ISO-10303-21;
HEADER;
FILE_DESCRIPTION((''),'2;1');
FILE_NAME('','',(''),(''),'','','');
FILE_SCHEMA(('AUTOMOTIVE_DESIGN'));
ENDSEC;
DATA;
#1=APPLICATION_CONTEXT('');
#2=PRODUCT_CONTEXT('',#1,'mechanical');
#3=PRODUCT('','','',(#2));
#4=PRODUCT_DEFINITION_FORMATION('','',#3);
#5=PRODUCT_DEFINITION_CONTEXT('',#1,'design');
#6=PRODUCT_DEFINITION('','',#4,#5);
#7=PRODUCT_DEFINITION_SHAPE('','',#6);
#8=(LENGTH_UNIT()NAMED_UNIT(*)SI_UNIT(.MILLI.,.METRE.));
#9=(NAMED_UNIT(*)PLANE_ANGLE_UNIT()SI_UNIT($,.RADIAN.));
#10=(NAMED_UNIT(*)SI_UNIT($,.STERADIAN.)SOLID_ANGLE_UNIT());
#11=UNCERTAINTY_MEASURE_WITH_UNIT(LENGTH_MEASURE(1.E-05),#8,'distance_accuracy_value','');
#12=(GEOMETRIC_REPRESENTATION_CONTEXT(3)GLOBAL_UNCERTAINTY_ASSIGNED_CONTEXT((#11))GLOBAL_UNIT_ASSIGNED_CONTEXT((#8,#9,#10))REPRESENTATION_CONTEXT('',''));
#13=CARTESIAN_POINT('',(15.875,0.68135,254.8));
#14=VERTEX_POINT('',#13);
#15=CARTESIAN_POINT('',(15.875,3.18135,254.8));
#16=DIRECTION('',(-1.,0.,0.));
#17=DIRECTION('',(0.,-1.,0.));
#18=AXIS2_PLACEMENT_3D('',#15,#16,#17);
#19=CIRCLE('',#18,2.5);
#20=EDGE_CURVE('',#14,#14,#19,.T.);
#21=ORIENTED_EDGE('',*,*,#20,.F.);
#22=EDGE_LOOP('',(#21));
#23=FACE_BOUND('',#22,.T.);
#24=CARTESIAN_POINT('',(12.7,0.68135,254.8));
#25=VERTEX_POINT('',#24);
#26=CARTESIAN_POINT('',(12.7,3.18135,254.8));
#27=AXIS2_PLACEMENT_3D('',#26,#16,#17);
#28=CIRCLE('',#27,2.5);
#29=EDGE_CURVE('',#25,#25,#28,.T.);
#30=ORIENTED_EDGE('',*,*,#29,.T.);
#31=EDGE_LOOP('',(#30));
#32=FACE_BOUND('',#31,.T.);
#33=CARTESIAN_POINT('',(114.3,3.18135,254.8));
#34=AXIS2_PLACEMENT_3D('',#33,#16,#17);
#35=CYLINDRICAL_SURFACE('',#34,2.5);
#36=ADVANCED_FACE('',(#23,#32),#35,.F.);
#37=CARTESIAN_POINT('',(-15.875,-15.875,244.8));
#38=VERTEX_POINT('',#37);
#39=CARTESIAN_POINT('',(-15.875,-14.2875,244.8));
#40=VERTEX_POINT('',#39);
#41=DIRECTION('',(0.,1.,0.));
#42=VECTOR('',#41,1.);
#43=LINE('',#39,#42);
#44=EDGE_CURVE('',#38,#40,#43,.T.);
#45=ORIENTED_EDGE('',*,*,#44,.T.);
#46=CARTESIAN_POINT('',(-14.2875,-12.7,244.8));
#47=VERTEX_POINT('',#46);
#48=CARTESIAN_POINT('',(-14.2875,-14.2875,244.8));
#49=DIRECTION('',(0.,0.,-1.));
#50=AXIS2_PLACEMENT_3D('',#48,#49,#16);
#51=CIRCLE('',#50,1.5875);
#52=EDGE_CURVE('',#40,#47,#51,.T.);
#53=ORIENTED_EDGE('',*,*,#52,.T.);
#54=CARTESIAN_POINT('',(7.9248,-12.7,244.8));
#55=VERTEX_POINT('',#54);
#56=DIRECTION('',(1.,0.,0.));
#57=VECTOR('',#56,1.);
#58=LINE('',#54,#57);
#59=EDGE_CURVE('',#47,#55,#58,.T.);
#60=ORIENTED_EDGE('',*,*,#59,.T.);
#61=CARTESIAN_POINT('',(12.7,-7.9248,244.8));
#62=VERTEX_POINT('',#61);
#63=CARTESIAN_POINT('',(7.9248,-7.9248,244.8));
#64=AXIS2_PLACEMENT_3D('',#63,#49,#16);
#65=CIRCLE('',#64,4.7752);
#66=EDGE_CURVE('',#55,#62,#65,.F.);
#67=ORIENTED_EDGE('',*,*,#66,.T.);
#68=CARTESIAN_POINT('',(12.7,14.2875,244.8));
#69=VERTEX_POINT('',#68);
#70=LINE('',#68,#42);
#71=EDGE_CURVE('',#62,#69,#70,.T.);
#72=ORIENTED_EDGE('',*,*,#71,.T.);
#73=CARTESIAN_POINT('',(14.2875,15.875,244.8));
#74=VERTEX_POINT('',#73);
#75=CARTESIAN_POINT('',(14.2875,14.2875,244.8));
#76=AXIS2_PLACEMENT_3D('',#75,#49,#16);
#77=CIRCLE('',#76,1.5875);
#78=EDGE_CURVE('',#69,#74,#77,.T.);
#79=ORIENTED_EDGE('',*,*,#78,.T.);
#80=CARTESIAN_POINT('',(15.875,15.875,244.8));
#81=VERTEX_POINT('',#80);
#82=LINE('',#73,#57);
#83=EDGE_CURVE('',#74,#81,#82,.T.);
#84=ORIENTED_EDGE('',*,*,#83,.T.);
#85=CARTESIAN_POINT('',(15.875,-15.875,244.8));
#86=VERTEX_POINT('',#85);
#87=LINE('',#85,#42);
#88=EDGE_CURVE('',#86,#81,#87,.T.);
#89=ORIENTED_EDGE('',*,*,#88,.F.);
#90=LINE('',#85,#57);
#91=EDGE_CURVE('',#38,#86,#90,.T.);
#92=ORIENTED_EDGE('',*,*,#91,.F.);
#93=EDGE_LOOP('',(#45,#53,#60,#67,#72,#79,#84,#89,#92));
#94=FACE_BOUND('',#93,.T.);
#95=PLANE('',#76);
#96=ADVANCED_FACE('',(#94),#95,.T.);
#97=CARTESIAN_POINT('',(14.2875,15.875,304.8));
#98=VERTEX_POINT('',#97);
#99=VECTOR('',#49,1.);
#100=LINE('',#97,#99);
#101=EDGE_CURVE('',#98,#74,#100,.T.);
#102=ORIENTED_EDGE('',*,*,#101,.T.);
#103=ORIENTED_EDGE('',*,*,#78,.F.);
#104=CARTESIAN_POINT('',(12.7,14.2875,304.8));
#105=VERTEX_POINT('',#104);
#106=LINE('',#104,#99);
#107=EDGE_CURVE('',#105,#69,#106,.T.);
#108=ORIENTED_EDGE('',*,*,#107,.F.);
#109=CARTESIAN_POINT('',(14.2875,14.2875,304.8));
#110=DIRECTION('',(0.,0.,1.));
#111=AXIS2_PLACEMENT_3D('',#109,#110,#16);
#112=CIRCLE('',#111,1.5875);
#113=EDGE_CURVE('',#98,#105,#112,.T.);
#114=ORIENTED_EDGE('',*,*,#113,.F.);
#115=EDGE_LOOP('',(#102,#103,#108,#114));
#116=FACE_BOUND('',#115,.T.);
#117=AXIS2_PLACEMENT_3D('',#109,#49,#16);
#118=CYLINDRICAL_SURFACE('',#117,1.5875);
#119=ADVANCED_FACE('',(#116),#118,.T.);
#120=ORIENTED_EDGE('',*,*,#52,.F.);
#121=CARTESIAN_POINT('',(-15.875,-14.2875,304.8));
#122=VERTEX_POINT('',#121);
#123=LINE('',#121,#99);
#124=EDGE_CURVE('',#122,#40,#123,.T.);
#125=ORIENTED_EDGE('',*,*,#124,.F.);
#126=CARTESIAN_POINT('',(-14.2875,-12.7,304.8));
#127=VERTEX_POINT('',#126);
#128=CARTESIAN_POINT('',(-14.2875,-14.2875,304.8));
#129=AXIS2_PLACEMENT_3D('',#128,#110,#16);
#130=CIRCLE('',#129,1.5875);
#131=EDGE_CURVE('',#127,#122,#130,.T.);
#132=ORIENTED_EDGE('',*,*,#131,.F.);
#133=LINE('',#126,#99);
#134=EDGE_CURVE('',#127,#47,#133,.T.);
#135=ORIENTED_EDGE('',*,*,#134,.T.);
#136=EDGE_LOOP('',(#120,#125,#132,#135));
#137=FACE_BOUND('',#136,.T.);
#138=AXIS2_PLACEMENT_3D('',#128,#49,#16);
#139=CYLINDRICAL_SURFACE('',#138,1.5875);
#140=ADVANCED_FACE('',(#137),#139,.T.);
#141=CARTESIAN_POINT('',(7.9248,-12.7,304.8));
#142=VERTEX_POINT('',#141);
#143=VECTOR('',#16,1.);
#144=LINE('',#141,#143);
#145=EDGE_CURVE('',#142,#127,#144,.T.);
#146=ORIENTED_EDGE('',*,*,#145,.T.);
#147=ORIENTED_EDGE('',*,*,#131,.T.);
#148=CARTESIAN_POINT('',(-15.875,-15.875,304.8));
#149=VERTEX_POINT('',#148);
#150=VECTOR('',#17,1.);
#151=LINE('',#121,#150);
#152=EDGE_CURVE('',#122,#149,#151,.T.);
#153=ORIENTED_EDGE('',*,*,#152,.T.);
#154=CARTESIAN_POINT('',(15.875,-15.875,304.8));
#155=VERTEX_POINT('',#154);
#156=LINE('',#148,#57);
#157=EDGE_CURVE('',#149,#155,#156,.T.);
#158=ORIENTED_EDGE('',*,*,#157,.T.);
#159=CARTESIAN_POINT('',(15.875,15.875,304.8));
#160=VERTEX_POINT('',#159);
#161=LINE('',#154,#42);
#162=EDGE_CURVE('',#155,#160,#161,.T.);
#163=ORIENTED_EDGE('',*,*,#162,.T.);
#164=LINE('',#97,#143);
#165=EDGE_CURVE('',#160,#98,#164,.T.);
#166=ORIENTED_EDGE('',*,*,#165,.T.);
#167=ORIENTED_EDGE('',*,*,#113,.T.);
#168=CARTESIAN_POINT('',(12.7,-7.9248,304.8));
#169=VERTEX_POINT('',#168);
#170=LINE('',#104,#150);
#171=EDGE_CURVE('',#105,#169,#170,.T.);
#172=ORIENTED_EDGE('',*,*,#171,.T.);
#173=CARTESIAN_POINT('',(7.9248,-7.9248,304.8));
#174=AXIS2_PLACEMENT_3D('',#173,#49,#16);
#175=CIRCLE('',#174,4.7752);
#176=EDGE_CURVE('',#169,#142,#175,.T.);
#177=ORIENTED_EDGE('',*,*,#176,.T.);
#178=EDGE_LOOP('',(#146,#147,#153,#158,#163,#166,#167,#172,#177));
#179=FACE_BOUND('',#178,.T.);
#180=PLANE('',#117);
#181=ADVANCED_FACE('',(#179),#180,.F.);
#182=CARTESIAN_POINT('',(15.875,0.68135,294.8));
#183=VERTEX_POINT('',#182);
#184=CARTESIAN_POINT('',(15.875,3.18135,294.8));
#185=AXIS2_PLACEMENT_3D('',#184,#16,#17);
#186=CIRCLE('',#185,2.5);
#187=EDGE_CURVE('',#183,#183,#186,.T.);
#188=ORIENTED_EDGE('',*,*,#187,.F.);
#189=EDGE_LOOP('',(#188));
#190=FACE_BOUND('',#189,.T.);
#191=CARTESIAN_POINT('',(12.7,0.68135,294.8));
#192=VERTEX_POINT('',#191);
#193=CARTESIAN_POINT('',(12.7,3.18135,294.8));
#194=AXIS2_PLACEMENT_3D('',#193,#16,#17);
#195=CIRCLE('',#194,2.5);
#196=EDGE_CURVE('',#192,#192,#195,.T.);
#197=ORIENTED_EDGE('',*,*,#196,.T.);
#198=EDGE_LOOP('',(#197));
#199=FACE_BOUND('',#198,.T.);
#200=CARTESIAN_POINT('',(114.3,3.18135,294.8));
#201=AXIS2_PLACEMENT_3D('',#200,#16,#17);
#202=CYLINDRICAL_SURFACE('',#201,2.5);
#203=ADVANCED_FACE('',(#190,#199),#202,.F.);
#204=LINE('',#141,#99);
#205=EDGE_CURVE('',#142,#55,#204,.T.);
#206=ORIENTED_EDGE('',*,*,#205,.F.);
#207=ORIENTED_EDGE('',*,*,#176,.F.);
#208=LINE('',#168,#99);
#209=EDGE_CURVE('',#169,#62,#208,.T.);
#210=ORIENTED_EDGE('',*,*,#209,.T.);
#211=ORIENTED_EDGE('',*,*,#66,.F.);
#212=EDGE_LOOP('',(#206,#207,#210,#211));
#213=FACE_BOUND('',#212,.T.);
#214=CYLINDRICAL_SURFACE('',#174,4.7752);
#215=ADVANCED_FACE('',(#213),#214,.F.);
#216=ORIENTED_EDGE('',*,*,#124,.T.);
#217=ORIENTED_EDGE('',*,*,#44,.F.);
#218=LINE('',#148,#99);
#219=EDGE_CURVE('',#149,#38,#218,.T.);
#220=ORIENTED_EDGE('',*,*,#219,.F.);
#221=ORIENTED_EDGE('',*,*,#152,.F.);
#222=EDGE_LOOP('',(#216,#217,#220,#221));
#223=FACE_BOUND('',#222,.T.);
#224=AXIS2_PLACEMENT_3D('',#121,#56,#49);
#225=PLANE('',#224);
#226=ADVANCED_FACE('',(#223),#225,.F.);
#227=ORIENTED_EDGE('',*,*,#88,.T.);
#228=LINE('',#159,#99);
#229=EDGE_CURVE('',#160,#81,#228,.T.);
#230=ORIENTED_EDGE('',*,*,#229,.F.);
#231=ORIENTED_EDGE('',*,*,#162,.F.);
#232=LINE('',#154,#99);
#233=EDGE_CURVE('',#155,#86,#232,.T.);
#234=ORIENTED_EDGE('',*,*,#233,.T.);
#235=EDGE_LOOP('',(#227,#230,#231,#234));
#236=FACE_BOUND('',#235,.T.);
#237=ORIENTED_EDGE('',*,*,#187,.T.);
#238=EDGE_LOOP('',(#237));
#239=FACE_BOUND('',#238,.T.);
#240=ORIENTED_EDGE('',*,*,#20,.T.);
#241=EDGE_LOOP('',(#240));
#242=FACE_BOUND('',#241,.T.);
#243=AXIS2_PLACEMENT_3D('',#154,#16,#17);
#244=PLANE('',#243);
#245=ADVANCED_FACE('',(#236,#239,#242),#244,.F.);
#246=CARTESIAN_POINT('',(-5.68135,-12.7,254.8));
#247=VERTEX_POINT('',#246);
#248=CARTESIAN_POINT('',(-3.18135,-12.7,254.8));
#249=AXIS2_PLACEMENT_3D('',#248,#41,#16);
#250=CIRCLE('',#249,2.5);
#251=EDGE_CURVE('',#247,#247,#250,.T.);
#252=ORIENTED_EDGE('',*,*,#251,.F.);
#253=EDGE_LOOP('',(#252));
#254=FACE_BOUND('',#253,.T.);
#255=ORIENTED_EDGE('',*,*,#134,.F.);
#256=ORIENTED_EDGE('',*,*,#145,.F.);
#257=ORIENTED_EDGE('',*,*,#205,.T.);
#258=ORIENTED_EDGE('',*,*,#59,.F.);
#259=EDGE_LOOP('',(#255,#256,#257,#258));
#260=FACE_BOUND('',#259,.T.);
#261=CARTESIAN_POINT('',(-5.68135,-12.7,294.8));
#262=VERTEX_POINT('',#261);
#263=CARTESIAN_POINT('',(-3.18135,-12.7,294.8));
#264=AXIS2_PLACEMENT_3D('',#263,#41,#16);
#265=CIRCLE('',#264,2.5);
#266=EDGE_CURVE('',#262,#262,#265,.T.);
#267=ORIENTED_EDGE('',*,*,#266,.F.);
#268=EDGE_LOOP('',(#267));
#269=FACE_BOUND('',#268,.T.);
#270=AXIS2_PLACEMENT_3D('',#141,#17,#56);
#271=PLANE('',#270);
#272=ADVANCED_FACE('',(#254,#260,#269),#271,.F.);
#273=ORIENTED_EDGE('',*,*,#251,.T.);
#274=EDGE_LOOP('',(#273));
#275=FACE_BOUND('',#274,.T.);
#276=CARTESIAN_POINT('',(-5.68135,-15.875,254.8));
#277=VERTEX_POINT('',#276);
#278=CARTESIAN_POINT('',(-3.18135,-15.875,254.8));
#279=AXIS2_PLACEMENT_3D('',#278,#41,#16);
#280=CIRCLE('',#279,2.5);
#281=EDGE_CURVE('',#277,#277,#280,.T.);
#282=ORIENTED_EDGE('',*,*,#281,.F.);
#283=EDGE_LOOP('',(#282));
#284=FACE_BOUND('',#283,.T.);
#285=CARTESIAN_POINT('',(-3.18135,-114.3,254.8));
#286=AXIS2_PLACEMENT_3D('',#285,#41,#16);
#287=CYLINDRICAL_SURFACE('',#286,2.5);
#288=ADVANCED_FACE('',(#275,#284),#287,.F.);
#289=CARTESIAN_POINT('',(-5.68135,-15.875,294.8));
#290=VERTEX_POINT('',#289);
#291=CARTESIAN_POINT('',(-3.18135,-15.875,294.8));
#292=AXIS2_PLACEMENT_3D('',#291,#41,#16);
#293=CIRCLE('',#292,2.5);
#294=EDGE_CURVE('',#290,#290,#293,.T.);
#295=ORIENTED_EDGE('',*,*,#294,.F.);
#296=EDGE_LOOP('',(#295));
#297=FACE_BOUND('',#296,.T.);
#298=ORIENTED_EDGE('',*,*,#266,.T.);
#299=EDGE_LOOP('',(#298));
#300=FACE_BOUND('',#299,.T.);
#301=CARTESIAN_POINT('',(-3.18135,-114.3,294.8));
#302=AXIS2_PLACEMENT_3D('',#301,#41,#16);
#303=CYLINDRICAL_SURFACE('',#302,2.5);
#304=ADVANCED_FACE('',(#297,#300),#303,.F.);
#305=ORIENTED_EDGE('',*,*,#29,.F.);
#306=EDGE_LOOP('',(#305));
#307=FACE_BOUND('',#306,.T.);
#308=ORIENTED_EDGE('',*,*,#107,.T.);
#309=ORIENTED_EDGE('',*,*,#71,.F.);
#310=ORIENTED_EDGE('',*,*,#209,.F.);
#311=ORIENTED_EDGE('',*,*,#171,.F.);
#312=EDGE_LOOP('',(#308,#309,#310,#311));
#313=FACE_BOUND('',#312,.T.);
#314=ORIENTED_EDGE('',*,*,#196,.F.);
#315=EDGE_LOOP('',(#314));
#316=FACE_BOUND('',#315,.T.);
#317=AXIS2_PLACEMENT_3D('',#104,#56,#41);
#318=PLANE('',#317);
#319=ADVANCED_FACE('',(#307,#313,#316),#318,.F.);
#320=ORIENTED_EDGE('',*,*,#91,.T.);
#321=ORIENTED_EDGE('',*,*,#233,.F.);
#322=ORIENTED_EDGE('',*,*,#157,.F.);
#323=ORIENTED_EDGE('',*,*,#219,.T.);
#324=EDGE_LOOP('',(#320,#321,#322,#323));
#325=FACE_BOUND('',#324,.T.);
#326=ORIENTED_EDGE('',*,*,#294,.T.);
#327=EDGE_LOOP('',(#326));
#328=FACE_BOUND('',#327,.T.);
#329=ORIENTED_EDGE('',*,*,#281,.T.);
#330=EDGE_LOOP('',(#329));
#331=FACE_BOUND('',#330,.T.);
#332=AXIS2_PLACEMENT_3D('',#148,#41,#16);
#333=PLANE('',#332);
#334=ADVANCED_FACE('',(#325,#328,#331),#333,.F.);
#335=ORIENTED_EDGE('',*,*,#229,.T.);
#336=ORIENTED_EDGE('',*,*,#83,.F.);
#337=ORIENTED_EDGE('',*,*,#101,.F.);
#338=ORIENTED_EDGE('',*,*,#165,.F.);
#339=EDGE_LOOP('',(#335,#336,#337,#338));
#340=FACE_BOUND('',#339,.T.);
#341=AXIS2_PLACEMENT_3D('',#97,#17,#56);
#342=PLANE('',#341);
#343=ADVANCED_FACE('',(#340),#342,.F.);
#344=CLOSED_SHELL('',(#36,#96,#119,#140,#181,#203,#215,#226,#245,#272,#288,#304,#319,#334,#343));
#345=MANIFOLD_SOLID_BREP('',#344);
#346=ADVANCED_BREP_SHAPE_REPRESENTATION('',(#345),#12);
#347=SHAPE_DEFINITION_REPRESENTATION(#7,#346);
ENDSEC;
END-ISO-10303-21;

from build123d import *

# Parameters (mm, degrees)
BOSS_EXTRUDE1_DEPTH = 304.8
SKETCH3_W           = 34.414454966
SKETCH3_H           = 33.657940314
CUT_EXTRUDE1_DEPTH  = 549.6
SKETCH5_R           = 2.5
CUT_EXTRUDE2_DEPTH  = 101.6
SKETCH4_R           = 2.5
CUT_EXTRUDE3_DEPTH  = 101.6


with BuildPart() as part:
    # Sketch2 → Boss-Extrude1 (new, symmetric)
    with BuildSketch(Plane.XY):
        with BuildLine():
            Line((-15.875, -15.875), (15.875, -15.875))
            Line((15.875, -15.875), (15.875, 15.875))
            Line((15.875, 15.875), (14.2875, 15.875))
            ThreePointArc((14.2875, 15.875), (13.164967985, 15.410032015), (12.7, 14.2875))
            Line((12.7, 14.2875), (12.7, -7.9248))
            ThreePointArc((12.7, -7.9248), (11.301376302, -11.301376302), (7.9248, -12.7))
            Line((7.9248, -12.7), (-14.2875, -12.7))
            ThreePointArc((-14.2875, -12.7), (-15.410032015, -13.164967985), (-15.875, -14.2875))
            Line((-15.875, -14.2875), (-15.875, -15.875))
        make_face()
    extrude(amount=BOSS_EXTRUDE1_DEPTH, both=True)

    # Sketch3 → Cut-Extrude1 (cut)
    with BuildSketch(Plane(origin=(0, 0, -304.8), x_dir=(-1, 0, 0), z_dir=(0, 0, -1))):
        with Locations((1.332227483, 0.953970157)):
            Rectangle(SKETCH3_W, SKETCH3_H)
    extrude(amount=-CUT_EXTRUDE1_DEPTH, mode=Mode.SUBTRACT)

    # Sketch5 → Cut-Extrude2 (cut)
    with BuildSketch(Plane.ZY.offset(-12.7)):
        with Locations(Location((294.8, 3.18135, 0), (0, 0, 270))):
            Circle(SKETCH5_R)
        with Locations(Location((254.8, 3.18135, 0), (0, 0, 270))):
            Circle(SKETCH5_R)
    extrude(amount=-CUT_EXTRUDE2_DEPTH, mode=Mode.SUBTRACT)

    # Sketch4 → Cut-Extrude3 (cut)
    with BuildSketch(Plane(origin=(0, -12.7, 0), x_dir=(1, 0, 0), z_dir=(0, 1, 0))):
        with Locations(Location((-3.18135, -254.8, 0), (0, 0, 180))):
            Circle(SKETCH4_R)
        with Locations(Location((-3.18135, -294.8, 0), (0, 0, 180))):
            Circle(SKETCH4_R)
    extrude(amount=-CUT_EXTRUDE3_DEPTH, mode=Mode.SUBTRACT)


solid = part.part
